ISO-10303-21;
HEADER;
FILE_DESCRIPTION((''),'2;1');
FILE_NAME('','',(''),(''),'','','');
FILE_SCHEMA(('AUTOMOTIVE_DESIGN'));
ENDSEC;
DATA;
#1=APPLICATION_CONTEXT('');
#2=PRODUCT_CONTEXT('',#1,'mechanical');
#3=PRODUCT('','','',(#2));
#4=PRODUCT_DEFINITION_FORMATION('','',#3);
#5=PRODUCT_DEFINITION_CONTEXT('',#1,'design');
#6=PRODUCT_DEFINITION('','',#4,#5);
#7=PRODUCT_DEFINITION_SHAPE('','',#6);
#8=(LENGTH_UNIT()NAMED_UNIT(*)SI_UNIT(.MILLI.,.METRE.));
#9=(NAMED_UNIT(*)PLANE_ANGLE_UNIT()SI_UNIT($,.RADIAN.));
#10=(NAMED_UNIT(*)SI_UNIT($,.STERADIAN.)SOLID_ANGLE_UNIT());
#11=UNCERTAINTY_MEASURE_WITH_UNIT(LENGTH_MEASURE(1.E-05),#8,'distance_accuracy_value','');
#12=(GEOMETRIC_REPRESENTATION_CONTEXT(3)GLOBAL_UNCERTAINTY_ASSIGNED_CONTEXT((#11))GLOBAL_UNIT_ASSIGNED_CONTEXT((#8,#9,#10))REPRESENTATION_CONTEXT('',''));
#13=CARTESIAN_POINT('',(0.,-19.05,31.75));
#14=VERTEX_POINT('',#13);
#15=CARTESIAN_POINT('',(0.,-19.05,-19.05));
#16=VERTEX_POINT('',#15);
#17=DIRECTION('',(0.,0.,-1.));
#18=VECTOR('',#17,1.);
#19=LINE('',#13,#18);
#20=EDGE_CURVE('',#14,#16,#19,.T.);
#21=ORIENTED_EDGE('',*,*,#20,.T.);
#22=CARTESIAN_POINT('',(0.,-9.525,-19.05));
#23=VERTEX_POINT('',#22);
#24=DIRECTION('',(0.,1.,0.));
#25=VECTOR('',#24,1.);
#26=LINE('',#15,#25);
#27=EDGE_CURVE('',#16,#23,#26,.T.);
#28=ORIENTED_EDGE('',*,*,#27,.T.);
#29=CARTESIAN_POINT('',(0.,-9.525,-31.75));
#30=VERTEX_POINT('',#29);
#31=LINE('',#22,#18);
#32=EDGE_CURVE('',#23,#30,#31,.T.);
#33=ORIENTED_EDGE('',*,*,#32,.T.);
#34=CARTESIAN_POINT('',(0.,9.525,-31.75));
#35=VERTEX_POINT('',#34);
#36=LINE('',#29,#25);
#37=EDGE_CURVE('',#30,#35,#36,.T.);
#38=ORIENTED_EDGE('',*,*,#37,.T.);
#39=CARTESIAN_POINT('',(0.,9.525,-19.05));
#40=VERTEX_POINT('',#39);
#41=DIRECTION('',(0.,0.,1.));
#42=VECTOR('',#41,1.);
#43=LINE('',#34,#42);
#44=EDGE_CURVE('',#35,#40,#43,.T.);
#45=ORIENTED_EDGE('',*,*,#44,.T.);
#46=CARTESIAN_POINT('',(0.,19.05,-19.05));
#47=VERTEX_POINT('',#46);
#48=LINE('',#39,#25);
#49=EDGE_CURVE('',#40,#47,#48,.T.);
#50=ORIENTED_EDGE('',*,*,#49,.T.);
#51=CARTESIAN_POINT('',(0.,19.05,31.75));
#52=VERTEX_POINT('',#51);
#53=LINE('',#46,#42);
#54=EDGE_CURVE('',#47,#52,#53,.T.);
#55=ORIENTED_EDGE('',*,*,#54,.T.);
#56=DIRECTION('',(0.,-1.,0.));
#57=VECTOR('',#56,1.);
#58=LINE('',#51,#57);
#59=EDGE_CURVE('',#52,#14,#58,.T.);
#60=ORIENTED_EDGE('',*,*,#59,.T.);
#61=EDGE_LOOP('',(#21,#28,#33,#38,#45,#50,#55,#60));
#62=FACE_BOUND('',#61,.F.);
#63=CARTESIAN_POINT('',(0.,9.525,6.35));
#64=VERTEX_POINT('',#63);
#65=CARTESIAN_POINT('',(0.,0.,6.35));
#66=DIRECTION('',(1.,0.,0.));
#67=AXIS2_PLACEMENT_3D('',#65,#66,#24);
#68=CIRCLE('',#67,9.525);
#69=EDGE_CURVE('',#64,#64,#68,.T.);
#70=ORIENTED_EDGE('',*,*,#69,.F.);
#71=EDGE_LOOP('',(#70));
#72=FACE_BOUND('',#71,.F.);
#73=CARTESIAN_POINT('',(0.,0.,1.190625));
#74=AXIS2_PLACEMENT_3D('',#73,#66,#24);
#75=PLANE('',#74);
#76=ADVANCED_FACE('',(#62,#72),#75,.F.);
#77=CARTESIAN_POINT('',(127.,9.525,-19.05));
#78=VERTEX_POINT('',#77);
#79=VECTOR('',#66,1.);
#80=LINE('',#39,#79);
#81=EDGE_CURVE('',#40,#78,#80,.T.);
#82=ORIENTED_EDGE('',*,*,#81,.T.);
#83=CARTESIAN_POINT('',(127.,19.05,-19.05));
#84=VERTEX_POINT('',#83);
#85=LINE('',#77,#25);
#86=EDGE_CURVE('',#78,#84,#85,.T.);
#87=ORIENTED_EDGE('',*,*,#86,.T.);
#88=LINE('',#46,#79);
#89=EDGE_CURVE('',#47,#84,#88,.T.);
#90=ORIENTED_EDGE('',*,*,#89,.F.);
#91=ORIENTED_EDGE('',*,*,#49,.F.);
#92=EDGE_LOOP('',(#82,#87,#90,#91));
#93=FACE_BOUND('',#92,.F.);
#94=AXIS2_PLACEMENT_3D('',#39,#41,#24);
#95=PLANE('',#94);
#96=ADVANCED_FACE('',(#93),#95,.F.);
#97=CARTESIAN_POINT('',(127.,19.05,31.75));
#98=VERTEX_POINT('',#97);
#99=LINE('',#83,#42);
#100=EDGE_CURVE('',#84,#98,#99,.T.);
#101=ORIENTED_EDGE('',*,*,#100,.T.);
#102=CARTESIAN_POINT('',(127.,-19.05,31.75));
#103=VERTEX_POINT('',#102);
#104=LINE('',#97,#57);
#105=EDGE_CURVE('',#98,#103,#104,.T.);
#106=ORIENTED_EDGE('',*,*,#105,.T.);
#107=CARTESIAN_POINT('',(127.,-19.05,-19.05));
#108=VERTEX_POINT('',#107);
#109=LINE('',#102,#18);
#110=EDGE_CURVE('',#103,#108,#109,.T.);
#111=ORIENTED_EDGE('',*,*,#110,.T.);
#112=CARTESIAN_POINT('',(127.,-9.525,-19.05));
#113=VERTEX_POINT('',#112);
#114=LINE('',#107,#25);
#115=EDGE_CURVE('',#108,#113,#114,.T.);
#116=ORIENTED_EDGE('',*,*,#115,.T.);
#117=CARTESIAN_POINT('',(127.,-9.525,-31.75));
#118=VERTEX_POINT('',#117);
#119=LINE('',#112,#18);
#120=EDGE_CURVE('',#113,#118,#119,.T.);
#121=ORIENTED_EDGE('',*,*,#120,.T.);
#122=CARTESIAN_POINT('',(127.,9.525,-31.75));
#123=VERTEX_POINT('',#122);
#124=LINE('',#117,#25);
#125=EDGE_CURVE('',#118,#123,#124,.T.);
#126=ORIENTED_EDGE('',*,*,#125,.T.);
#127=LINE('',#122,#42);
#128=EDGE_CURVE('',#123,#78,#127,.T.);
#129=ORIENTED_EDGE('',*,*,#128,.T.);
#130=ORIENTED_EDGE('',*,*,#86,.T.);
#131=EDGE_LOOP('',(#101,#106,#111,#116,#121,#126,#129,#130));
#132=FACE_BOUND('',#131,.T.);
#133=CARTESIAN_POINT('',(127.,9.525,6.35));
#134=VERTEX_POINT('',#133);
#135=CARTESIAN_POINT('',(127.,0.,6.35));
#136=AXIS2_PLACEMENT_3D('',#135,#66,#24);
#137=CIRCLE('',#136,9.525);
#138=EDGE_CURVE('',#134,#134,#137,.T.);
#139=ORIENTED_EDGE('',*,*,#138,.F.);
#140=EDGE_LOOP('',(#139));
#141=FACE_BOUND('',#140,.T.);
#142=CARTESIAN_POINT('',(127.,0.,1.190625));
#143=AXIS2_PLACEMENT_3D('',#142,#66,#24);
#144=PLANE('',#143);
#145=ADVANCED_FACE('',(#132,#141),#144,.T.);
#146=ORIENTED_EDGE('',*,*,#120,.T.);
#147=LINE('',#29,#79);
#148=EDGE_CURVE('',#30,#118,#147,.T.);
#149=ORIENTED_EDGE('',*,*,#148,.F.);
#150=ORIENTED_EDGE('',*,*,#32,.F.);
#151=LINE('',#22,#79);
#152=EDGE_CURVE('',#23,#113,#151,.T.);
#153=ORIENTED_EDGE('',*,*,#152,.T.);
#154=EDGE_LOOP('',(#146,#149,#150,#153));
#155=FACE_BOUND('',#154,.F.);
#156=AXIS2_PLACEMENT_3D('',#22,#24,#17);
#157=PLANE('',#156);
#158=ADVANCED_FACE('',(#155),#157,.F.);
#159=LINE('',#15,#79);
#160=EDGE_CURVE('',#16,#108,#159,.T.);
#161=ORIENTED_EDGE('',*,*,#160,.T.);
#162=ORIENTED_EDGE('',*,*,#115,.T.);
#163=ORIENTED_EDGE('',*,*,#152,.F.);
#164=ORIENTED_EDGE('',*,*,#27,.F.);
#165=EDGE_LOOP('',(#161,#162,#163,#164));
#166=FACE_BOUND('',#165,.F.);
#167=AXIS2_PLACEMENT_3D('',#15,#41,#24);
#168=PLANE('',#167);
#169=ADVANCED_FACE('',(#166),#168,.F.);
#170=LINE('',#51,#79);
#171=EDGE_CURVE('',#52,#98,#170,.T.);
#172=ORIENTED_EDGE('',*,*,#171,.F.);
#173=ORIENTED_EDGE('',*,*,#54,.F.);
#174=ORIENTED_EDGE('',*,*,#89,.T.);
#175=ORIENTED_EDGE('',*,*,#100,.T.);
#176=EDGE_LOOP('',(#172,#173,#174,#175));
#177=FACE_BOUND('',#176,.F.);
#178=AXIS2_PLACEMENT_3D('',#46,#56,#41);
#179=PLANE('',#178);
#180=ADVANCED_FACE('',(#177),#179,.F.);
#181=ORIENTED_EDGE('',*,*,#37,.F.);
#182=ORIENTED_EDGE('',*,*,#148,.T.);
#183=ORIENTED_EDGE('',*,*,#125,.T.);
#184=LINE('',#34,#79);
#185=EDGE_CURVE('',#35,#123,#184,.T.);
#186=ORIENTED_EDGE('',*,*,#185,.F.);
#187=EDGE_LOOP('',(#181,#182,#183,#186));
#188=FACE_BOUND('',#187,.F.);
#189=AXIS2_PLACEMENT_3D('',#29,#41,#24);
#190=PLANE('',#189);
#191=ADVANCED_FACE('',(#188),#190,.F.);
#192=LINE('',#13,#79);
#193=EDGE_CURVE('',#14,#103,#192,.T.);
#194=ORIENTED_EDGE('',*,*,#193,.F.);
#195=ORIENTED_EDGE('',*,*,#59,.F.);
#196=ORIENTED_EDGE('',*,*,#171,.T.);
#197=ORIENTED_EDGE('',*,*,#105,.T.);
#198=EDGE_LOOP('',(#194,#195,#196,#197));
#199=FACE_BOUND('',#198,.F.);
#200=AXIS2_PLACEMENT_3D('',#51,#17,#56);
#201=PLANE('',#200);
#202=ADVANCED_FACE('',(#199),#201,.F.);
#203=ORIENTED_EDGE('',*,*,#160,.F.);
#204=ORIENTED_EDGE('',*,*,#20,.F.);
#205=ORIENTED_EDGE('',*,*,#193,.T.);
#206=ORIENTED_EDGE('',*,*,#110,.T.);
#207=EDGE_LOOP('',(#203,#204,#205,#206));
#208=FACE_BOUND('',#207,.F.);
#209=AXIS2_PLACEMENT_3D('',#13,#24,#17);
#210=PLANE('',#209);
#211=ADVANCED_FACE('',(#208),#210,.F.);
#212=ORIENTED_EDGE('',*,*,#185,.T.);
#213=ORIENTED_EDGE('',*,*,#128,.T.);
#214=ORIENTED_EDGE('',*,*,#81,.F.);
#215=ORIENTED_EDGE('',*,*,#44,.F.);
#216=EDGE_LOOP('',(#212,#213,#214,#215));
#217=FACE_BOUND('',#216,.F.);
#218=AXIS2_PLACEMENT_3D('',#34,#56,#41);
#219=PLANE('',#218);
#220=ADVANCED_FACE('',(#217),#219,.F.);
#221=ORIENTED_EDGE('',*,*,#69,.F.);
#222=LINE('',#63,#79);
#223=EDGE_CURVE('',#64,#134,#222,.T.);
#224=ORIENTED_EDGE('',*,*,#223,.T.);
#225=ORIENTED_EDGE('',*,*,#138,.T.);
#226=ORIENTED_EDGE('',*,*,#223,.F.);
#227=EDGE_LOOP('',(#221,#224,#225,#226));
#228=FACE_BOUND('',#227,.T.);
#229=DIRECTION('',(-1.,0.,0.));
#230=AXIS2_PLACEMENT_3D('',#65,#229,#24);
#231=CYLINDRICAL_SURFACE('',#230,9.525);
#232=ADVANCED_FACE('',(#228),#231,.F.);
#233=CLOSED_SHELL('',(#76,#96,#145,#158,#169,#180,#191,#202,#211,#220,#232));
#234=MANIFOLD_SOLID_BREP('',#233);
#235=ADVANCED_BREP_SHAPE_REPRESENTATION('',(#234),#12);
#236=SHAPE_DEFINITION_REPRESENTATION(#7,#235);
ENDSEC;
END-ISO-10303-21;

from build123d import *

# Parameters (mm, degrees)
F0_R     = 9.525
F1_DEPTH = 127


with BuildPart() as f1:
    # F0 (on Right) → F1 (new body)
    with BuildSketch(Plane.YZ):
        Polygon((-9.525, -19.05), (-9.525, -31.75), (9.525, -31.75), (9.525, -19.05), (19.05, -19.05), (19.05, 31.75), (-19.05, 31.75), (-19.05, 6.35), (-19.05, -19.05), align=None)
        with Locations((0, 6.35)):
            Circle(F0_R, mode=Mode.SUBTRACT)
    extrude(amount=F1_DEPTH)


solid = f1.part
